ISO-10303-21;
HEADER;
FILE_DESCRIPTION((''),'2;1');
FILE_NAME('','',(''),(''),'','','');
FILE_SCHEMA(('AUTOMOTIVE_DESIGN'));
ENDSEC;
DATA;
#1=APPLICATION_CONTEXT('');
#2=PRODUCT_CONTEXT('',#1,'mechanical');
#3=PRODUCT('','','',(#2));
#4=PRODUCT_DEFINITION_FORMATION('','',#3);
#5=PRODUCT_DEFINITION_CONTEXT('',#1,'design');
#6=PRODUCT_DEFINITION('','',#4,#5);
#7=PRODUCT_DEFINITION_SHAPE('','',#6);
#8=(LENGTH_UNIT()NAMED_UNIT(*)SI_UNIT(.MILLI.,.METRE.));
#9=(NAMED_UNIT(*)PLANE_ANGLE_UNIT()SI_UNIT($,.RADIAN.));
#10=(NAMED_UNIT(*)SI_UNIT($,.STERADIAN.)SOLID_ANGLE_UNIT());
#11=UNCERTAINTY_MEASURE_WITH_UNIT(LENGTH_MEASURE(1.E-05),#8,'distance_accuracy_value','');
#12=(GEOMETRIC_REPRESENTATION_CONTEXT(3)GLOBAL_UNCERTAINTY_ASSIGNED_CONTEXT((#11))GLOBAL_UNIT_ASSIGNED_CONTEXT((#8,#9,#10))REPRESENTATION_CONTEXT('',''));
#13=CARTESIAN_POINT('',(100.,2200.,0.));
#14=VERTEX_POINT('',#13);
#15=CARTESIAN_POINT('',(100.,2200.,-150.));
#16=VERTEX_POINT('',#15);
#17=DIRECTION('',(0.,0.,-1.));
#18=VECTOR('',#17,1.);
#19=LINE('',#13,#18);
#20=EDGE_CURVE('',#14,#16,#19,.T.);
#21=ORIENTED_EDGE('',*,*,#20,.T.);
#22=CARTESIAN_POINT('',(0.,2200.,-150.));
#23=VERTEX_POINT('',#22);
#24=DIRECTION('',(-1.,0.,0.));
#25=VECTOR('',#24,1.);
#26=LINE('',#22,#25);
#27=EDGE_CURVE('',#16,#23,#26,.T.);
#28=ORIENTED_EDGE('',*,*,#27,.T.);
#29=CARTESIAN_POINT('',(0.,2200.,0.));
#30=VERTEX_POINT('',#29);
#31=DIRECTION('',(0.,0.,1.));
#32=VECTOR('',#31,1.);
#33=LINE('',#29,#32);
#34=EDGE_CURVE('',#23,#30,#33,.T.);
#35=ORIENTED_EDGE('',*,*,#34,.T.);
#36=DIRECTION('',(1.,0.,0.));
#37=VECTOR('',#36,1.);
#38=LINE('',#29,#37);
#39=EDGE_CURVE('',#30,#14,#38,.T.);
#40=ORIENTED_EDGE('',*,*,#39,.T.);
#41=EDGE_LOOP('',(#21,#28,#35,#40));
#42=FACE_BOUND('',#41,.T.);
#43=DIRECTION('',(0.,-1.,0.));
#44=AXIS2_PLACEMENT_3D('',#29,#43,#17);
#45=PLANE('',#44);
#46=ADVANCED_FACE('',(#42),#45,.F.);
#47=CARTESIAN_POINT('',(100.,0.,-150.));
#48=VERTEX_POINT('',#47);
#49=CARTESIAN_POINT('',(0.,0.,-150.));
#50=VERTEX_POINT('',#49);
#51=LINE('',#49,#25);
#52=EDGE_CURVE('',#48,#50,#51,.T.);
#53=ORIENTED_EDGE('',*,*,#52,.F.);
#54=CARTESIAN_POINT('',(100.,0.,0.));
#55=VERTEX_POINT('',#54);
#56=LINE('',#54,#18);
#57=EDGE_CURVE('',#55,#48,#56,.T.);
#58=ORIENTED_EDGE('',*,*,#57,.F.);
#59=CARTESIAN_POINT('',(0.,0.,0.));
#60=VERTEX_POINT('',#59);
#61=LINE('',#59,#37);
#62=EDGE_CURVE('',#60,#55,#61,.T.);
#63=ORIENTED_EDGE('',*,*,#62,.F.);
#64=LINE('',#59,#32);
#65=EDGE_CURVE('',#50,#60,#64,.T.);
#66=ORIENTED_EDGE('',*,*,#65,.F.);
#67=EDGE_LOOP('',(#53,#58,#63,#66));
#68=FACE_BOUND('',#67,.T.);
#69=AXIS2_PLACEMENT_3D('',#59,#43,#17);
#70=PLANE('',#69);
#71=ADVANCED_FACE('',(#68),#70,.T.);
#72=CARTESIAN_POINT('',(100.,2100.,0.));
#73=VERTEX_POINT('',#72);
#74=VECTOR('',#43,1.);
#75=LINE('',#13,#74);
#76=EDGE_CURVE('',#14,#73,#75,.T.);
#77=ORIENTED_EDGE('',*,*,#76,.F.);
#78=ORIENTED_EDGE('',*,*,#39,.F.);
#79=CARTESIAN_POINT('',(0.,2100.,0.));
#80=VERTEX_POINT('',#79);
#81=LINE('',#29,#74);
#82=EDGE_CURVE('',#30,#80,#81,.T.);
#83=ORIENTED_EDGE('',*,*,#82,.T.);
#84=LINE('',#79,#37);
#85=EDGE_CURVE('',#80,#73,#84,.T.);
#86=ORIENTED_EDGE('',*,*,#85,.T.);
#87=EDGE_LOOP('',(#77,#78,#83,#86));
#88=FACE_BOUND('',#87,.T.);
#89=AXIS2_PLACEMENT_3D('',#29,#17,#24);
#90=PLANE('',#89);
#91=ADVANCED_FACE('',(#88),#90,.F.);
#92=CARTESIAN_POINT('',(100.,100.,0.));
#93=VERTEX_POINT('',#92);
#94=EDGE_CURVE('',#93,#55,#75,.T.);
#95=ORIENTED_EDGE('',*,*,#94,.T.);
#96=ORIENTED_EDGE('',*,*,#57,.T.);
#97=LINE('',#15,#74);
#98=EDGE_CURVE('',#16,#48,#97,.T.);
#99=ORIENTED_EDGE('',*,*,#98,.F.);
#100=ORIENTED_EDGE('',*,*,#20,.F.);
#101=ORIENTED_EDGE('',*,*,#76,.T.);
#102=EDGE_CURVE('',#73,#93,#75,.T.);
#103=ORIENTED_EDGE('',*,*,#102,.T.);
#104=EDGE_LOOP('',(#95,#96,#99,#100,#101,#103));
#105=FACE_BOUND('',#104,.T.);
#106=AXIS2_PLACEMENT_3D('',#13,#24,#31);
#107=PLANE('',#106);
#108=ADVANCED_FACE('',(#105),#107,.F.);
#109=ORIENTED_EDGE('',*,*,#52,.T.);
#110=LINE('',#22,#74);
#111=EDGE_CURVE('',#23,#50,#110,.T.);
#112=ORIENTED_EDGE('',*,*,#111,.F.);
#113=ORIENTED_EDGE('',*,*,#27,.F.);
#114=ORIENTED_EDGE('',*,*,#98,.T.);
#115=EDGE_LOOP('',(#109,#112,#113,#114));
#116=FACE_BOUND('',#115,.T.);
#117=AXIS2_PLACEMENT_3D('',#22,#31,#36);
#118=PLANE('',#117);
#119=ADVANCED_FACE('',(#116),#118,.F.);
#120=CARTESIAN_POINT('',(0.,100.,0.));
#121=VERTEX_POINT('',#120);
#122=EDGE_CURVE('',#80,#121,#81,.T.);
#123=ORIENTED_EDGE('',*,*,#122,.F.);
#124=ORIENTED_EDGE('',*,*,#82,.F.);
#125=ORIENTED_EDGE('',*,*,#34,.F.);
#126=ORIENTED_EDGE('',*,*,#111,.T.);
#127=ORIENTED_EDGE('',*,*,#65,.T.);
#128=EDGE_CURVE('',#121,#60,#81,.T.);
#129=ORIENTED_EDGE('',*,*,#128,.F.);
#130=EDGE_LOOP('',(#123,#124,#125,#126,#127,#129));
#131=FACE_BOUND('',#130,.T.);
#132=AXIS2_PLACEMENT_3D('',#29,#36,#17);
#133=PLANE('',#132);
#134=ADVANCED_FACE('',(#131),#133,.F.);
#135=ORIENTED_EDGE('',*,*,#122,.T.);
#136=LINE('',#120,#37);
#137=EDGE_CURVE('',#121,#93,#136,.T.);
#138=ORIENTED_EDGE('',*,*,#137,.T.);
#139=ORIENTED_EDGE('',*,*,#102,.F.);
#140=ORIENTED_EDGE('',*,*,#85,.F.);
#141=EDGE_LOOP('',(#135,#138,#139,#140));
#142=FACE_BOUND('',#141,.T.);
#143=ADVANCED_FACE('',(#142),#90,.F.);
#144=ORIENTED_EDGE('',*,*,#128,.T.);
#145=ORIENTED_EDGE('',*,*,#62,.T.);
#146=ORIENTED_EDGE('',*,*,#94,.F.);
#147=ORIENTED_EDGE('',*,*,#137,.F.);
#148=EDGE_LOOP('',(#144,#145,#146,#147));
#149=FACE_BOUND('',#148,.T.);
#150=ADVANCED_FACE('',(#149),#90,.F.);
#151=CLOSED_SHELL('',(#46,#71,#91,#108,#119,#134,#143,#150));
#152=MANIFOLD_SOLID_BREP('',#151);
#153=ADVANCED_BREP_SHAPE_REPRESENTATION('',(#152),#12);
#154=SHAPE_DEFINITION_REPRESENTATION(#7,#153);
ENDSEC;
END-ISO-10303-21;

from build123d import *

# Parameters (mm, degrees)
SZKIC1_W                    = 100
SZKIC1_H                    = 150
DODANIE_WYCI_GNI_CIE1_DEPTH = 2200


with BuildPart() as part:
    # Szkic1 → Dodanie-wyciągnięcie1 (new body)
    with BuildSketch(Plane(origin=(0, 0, 0), x_dir=(1, 0, 0), z_dir=(0, 1, 0))):
        with Locations((50, 75)):
            Rectangle(SZKIC1_W, SZKIC1_H)
    extrude(amount=DODANIE_WYCI_GNI_CIE1_DEPTH)


solid = part.part
